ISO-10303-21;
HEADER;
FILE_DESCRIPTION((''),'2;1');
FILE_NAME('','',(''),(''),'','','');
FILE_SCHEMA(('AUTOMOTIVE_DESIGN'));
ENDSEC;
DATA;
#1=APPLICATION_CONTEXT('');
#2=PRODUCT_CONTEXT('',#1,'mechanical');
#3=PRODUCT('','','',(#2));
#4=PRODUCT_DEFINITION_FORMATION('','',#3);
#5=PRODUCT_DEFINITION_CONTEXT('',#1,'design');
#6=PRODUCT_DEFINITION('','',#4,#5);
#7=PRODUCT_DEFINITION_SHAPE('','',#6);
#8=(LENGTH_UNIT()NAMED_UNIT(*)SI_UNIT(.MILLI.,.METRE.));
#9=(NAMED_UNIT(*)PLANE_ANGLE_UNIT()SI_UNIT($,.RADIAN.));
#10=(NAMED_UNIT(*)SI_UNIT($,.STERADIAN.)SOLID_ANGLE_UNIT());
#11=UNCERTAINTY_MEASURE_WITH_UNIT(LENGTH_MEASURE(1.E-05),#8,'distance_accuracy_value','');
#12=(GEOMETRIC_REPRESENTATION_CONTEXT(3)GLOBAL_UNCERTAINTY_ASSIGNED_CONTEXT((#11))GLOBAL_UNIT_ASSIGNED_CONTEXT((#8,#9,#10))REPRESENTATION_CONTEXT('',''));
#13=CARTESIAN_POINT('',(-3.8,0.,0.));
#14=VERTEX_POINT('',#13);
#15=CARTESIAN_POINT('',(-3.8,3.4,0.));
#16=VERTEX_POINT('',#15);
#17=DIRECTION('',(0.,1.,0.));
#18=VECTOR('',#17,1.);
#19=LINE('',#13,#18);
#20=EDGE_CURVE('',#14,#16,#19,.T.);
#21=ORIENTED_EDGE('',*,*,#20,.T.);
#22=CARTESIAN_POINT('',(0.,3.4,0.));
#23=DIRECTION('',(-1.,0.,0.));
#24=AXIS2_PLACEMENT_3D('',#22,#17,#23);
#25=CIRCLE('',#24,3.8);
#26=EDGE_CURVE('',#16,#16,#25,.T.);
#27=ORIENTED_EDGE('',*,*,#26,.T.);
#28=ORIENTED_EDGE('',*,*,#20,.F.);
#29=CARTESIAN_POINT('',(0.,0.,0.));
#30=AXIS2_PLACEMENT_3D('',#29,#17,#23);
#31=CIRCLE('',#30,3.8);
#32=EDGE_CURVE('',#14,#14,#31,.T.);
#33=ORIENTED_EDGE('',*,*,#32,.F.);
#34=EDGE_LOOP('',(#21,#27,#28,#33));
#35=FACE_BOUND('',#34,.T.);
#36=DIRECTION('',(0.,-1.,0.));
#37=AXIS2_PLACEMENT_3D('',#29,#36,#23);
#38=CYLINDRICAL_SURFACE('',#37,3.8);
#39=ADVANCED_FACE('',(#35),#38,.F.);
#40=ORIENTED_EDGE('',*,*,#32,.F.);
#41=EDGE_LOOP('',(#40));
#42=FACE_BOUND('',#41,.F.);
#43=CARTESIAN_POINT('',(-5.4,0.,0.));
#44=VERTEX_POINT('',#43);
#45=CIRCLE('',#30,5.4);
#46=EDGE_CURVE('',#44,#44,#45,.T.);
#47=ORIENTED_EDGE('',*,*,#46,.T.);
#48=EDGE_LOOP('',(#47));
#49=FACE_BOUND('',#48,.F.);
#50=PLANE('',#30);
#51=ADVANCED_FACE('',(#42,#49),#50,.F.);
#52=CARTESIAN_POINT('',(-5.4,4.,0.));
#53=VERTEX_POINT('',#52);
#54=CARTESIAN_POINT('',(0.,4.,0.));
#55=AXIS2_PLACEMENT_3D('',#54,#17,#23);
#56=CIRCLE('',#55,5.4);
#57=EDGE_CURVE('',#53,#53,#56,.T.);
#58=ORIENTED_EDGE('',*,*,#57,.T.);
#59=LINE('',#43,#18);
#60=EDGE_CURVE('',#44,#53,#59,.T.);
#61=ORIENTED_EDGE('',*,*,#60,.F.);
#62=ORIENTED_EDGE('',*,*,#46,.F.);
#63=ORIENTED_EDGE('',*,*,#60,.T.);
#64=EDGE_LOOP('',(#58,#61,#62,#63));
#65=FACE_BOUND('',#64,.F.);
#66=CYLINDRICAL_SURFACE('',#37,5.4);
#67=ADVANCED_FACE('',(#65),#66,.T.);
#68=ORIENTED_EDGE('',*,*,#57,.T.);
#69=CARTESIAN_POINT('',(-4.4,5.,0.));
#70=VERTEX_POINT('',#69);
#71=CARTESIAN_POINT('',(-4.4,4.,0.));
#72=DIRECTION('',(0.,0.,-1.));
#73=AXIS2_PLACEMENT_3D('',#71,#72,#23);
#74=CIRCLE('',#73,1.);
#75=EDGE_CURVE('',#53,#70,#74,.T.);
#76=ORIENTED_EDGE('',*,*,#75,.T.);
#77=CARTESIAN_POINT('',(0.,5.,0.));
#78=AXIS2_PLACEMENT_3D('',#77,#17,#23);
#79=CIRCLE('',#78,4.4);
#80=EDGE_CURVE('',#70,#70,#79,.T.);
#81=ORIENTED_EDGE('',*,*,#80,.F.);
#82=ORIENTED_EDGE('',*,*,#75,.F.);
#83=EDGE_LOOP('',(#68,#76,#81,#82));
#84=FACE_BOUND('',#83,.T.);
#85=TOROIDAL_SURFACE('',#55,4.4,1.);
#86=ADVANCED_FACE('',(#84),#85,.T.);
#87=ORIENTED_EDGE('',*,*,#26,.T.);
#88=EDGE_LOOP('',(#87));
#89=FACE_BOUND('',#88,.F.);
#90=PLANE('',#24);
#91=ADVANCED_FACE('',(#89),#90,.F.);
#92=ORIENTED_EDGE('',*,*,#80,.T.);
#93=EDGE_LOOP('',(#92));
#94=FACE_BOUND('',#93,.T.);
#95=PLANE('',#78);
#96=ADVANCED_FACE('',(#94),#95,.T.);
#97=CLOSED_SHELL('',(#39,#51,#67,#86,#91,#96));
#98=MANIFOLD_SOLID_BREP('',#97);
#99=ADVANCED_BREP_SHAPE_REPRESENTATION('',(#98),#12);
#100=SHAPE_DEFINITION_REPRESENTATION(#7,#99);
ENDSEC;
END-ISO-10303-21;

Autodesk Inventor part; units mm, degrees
ref_plane "YZ Plane" through (0, 0, 0) normal (1, 0, 0) x (0, 1, 0)
ref_plane "XZ Plane" through (0, 0, 0) normal (0, 1, 0) x (-1, 0, 0)
ref_plane "XY Plane" through (0, 0, 0) normal (0, 0, 1) x (1, 0, 0)
sketch "스케치1" plane through (0, 0, 0) normal (0, 1, 0) x (-1, 0, 0)
  circle A0 centre (0, 0) radius 3.8
  circle A1 centre (0, 0) radius 5.4
  dimension "d0" = 7.6
  dimension "d1" = 1.6
extrude "돌출1" add sketch "스케치1" along normal blind 5 contours A0 | A1
extrude "돌출2" cut sketch "스케치1" along normal blind 3.4 contours A0
fillet "모깎기1" radius 1 1 edges at (5.4, 5, 0)
properties part number "final_탄두낙하산거치대_스프링고정"
